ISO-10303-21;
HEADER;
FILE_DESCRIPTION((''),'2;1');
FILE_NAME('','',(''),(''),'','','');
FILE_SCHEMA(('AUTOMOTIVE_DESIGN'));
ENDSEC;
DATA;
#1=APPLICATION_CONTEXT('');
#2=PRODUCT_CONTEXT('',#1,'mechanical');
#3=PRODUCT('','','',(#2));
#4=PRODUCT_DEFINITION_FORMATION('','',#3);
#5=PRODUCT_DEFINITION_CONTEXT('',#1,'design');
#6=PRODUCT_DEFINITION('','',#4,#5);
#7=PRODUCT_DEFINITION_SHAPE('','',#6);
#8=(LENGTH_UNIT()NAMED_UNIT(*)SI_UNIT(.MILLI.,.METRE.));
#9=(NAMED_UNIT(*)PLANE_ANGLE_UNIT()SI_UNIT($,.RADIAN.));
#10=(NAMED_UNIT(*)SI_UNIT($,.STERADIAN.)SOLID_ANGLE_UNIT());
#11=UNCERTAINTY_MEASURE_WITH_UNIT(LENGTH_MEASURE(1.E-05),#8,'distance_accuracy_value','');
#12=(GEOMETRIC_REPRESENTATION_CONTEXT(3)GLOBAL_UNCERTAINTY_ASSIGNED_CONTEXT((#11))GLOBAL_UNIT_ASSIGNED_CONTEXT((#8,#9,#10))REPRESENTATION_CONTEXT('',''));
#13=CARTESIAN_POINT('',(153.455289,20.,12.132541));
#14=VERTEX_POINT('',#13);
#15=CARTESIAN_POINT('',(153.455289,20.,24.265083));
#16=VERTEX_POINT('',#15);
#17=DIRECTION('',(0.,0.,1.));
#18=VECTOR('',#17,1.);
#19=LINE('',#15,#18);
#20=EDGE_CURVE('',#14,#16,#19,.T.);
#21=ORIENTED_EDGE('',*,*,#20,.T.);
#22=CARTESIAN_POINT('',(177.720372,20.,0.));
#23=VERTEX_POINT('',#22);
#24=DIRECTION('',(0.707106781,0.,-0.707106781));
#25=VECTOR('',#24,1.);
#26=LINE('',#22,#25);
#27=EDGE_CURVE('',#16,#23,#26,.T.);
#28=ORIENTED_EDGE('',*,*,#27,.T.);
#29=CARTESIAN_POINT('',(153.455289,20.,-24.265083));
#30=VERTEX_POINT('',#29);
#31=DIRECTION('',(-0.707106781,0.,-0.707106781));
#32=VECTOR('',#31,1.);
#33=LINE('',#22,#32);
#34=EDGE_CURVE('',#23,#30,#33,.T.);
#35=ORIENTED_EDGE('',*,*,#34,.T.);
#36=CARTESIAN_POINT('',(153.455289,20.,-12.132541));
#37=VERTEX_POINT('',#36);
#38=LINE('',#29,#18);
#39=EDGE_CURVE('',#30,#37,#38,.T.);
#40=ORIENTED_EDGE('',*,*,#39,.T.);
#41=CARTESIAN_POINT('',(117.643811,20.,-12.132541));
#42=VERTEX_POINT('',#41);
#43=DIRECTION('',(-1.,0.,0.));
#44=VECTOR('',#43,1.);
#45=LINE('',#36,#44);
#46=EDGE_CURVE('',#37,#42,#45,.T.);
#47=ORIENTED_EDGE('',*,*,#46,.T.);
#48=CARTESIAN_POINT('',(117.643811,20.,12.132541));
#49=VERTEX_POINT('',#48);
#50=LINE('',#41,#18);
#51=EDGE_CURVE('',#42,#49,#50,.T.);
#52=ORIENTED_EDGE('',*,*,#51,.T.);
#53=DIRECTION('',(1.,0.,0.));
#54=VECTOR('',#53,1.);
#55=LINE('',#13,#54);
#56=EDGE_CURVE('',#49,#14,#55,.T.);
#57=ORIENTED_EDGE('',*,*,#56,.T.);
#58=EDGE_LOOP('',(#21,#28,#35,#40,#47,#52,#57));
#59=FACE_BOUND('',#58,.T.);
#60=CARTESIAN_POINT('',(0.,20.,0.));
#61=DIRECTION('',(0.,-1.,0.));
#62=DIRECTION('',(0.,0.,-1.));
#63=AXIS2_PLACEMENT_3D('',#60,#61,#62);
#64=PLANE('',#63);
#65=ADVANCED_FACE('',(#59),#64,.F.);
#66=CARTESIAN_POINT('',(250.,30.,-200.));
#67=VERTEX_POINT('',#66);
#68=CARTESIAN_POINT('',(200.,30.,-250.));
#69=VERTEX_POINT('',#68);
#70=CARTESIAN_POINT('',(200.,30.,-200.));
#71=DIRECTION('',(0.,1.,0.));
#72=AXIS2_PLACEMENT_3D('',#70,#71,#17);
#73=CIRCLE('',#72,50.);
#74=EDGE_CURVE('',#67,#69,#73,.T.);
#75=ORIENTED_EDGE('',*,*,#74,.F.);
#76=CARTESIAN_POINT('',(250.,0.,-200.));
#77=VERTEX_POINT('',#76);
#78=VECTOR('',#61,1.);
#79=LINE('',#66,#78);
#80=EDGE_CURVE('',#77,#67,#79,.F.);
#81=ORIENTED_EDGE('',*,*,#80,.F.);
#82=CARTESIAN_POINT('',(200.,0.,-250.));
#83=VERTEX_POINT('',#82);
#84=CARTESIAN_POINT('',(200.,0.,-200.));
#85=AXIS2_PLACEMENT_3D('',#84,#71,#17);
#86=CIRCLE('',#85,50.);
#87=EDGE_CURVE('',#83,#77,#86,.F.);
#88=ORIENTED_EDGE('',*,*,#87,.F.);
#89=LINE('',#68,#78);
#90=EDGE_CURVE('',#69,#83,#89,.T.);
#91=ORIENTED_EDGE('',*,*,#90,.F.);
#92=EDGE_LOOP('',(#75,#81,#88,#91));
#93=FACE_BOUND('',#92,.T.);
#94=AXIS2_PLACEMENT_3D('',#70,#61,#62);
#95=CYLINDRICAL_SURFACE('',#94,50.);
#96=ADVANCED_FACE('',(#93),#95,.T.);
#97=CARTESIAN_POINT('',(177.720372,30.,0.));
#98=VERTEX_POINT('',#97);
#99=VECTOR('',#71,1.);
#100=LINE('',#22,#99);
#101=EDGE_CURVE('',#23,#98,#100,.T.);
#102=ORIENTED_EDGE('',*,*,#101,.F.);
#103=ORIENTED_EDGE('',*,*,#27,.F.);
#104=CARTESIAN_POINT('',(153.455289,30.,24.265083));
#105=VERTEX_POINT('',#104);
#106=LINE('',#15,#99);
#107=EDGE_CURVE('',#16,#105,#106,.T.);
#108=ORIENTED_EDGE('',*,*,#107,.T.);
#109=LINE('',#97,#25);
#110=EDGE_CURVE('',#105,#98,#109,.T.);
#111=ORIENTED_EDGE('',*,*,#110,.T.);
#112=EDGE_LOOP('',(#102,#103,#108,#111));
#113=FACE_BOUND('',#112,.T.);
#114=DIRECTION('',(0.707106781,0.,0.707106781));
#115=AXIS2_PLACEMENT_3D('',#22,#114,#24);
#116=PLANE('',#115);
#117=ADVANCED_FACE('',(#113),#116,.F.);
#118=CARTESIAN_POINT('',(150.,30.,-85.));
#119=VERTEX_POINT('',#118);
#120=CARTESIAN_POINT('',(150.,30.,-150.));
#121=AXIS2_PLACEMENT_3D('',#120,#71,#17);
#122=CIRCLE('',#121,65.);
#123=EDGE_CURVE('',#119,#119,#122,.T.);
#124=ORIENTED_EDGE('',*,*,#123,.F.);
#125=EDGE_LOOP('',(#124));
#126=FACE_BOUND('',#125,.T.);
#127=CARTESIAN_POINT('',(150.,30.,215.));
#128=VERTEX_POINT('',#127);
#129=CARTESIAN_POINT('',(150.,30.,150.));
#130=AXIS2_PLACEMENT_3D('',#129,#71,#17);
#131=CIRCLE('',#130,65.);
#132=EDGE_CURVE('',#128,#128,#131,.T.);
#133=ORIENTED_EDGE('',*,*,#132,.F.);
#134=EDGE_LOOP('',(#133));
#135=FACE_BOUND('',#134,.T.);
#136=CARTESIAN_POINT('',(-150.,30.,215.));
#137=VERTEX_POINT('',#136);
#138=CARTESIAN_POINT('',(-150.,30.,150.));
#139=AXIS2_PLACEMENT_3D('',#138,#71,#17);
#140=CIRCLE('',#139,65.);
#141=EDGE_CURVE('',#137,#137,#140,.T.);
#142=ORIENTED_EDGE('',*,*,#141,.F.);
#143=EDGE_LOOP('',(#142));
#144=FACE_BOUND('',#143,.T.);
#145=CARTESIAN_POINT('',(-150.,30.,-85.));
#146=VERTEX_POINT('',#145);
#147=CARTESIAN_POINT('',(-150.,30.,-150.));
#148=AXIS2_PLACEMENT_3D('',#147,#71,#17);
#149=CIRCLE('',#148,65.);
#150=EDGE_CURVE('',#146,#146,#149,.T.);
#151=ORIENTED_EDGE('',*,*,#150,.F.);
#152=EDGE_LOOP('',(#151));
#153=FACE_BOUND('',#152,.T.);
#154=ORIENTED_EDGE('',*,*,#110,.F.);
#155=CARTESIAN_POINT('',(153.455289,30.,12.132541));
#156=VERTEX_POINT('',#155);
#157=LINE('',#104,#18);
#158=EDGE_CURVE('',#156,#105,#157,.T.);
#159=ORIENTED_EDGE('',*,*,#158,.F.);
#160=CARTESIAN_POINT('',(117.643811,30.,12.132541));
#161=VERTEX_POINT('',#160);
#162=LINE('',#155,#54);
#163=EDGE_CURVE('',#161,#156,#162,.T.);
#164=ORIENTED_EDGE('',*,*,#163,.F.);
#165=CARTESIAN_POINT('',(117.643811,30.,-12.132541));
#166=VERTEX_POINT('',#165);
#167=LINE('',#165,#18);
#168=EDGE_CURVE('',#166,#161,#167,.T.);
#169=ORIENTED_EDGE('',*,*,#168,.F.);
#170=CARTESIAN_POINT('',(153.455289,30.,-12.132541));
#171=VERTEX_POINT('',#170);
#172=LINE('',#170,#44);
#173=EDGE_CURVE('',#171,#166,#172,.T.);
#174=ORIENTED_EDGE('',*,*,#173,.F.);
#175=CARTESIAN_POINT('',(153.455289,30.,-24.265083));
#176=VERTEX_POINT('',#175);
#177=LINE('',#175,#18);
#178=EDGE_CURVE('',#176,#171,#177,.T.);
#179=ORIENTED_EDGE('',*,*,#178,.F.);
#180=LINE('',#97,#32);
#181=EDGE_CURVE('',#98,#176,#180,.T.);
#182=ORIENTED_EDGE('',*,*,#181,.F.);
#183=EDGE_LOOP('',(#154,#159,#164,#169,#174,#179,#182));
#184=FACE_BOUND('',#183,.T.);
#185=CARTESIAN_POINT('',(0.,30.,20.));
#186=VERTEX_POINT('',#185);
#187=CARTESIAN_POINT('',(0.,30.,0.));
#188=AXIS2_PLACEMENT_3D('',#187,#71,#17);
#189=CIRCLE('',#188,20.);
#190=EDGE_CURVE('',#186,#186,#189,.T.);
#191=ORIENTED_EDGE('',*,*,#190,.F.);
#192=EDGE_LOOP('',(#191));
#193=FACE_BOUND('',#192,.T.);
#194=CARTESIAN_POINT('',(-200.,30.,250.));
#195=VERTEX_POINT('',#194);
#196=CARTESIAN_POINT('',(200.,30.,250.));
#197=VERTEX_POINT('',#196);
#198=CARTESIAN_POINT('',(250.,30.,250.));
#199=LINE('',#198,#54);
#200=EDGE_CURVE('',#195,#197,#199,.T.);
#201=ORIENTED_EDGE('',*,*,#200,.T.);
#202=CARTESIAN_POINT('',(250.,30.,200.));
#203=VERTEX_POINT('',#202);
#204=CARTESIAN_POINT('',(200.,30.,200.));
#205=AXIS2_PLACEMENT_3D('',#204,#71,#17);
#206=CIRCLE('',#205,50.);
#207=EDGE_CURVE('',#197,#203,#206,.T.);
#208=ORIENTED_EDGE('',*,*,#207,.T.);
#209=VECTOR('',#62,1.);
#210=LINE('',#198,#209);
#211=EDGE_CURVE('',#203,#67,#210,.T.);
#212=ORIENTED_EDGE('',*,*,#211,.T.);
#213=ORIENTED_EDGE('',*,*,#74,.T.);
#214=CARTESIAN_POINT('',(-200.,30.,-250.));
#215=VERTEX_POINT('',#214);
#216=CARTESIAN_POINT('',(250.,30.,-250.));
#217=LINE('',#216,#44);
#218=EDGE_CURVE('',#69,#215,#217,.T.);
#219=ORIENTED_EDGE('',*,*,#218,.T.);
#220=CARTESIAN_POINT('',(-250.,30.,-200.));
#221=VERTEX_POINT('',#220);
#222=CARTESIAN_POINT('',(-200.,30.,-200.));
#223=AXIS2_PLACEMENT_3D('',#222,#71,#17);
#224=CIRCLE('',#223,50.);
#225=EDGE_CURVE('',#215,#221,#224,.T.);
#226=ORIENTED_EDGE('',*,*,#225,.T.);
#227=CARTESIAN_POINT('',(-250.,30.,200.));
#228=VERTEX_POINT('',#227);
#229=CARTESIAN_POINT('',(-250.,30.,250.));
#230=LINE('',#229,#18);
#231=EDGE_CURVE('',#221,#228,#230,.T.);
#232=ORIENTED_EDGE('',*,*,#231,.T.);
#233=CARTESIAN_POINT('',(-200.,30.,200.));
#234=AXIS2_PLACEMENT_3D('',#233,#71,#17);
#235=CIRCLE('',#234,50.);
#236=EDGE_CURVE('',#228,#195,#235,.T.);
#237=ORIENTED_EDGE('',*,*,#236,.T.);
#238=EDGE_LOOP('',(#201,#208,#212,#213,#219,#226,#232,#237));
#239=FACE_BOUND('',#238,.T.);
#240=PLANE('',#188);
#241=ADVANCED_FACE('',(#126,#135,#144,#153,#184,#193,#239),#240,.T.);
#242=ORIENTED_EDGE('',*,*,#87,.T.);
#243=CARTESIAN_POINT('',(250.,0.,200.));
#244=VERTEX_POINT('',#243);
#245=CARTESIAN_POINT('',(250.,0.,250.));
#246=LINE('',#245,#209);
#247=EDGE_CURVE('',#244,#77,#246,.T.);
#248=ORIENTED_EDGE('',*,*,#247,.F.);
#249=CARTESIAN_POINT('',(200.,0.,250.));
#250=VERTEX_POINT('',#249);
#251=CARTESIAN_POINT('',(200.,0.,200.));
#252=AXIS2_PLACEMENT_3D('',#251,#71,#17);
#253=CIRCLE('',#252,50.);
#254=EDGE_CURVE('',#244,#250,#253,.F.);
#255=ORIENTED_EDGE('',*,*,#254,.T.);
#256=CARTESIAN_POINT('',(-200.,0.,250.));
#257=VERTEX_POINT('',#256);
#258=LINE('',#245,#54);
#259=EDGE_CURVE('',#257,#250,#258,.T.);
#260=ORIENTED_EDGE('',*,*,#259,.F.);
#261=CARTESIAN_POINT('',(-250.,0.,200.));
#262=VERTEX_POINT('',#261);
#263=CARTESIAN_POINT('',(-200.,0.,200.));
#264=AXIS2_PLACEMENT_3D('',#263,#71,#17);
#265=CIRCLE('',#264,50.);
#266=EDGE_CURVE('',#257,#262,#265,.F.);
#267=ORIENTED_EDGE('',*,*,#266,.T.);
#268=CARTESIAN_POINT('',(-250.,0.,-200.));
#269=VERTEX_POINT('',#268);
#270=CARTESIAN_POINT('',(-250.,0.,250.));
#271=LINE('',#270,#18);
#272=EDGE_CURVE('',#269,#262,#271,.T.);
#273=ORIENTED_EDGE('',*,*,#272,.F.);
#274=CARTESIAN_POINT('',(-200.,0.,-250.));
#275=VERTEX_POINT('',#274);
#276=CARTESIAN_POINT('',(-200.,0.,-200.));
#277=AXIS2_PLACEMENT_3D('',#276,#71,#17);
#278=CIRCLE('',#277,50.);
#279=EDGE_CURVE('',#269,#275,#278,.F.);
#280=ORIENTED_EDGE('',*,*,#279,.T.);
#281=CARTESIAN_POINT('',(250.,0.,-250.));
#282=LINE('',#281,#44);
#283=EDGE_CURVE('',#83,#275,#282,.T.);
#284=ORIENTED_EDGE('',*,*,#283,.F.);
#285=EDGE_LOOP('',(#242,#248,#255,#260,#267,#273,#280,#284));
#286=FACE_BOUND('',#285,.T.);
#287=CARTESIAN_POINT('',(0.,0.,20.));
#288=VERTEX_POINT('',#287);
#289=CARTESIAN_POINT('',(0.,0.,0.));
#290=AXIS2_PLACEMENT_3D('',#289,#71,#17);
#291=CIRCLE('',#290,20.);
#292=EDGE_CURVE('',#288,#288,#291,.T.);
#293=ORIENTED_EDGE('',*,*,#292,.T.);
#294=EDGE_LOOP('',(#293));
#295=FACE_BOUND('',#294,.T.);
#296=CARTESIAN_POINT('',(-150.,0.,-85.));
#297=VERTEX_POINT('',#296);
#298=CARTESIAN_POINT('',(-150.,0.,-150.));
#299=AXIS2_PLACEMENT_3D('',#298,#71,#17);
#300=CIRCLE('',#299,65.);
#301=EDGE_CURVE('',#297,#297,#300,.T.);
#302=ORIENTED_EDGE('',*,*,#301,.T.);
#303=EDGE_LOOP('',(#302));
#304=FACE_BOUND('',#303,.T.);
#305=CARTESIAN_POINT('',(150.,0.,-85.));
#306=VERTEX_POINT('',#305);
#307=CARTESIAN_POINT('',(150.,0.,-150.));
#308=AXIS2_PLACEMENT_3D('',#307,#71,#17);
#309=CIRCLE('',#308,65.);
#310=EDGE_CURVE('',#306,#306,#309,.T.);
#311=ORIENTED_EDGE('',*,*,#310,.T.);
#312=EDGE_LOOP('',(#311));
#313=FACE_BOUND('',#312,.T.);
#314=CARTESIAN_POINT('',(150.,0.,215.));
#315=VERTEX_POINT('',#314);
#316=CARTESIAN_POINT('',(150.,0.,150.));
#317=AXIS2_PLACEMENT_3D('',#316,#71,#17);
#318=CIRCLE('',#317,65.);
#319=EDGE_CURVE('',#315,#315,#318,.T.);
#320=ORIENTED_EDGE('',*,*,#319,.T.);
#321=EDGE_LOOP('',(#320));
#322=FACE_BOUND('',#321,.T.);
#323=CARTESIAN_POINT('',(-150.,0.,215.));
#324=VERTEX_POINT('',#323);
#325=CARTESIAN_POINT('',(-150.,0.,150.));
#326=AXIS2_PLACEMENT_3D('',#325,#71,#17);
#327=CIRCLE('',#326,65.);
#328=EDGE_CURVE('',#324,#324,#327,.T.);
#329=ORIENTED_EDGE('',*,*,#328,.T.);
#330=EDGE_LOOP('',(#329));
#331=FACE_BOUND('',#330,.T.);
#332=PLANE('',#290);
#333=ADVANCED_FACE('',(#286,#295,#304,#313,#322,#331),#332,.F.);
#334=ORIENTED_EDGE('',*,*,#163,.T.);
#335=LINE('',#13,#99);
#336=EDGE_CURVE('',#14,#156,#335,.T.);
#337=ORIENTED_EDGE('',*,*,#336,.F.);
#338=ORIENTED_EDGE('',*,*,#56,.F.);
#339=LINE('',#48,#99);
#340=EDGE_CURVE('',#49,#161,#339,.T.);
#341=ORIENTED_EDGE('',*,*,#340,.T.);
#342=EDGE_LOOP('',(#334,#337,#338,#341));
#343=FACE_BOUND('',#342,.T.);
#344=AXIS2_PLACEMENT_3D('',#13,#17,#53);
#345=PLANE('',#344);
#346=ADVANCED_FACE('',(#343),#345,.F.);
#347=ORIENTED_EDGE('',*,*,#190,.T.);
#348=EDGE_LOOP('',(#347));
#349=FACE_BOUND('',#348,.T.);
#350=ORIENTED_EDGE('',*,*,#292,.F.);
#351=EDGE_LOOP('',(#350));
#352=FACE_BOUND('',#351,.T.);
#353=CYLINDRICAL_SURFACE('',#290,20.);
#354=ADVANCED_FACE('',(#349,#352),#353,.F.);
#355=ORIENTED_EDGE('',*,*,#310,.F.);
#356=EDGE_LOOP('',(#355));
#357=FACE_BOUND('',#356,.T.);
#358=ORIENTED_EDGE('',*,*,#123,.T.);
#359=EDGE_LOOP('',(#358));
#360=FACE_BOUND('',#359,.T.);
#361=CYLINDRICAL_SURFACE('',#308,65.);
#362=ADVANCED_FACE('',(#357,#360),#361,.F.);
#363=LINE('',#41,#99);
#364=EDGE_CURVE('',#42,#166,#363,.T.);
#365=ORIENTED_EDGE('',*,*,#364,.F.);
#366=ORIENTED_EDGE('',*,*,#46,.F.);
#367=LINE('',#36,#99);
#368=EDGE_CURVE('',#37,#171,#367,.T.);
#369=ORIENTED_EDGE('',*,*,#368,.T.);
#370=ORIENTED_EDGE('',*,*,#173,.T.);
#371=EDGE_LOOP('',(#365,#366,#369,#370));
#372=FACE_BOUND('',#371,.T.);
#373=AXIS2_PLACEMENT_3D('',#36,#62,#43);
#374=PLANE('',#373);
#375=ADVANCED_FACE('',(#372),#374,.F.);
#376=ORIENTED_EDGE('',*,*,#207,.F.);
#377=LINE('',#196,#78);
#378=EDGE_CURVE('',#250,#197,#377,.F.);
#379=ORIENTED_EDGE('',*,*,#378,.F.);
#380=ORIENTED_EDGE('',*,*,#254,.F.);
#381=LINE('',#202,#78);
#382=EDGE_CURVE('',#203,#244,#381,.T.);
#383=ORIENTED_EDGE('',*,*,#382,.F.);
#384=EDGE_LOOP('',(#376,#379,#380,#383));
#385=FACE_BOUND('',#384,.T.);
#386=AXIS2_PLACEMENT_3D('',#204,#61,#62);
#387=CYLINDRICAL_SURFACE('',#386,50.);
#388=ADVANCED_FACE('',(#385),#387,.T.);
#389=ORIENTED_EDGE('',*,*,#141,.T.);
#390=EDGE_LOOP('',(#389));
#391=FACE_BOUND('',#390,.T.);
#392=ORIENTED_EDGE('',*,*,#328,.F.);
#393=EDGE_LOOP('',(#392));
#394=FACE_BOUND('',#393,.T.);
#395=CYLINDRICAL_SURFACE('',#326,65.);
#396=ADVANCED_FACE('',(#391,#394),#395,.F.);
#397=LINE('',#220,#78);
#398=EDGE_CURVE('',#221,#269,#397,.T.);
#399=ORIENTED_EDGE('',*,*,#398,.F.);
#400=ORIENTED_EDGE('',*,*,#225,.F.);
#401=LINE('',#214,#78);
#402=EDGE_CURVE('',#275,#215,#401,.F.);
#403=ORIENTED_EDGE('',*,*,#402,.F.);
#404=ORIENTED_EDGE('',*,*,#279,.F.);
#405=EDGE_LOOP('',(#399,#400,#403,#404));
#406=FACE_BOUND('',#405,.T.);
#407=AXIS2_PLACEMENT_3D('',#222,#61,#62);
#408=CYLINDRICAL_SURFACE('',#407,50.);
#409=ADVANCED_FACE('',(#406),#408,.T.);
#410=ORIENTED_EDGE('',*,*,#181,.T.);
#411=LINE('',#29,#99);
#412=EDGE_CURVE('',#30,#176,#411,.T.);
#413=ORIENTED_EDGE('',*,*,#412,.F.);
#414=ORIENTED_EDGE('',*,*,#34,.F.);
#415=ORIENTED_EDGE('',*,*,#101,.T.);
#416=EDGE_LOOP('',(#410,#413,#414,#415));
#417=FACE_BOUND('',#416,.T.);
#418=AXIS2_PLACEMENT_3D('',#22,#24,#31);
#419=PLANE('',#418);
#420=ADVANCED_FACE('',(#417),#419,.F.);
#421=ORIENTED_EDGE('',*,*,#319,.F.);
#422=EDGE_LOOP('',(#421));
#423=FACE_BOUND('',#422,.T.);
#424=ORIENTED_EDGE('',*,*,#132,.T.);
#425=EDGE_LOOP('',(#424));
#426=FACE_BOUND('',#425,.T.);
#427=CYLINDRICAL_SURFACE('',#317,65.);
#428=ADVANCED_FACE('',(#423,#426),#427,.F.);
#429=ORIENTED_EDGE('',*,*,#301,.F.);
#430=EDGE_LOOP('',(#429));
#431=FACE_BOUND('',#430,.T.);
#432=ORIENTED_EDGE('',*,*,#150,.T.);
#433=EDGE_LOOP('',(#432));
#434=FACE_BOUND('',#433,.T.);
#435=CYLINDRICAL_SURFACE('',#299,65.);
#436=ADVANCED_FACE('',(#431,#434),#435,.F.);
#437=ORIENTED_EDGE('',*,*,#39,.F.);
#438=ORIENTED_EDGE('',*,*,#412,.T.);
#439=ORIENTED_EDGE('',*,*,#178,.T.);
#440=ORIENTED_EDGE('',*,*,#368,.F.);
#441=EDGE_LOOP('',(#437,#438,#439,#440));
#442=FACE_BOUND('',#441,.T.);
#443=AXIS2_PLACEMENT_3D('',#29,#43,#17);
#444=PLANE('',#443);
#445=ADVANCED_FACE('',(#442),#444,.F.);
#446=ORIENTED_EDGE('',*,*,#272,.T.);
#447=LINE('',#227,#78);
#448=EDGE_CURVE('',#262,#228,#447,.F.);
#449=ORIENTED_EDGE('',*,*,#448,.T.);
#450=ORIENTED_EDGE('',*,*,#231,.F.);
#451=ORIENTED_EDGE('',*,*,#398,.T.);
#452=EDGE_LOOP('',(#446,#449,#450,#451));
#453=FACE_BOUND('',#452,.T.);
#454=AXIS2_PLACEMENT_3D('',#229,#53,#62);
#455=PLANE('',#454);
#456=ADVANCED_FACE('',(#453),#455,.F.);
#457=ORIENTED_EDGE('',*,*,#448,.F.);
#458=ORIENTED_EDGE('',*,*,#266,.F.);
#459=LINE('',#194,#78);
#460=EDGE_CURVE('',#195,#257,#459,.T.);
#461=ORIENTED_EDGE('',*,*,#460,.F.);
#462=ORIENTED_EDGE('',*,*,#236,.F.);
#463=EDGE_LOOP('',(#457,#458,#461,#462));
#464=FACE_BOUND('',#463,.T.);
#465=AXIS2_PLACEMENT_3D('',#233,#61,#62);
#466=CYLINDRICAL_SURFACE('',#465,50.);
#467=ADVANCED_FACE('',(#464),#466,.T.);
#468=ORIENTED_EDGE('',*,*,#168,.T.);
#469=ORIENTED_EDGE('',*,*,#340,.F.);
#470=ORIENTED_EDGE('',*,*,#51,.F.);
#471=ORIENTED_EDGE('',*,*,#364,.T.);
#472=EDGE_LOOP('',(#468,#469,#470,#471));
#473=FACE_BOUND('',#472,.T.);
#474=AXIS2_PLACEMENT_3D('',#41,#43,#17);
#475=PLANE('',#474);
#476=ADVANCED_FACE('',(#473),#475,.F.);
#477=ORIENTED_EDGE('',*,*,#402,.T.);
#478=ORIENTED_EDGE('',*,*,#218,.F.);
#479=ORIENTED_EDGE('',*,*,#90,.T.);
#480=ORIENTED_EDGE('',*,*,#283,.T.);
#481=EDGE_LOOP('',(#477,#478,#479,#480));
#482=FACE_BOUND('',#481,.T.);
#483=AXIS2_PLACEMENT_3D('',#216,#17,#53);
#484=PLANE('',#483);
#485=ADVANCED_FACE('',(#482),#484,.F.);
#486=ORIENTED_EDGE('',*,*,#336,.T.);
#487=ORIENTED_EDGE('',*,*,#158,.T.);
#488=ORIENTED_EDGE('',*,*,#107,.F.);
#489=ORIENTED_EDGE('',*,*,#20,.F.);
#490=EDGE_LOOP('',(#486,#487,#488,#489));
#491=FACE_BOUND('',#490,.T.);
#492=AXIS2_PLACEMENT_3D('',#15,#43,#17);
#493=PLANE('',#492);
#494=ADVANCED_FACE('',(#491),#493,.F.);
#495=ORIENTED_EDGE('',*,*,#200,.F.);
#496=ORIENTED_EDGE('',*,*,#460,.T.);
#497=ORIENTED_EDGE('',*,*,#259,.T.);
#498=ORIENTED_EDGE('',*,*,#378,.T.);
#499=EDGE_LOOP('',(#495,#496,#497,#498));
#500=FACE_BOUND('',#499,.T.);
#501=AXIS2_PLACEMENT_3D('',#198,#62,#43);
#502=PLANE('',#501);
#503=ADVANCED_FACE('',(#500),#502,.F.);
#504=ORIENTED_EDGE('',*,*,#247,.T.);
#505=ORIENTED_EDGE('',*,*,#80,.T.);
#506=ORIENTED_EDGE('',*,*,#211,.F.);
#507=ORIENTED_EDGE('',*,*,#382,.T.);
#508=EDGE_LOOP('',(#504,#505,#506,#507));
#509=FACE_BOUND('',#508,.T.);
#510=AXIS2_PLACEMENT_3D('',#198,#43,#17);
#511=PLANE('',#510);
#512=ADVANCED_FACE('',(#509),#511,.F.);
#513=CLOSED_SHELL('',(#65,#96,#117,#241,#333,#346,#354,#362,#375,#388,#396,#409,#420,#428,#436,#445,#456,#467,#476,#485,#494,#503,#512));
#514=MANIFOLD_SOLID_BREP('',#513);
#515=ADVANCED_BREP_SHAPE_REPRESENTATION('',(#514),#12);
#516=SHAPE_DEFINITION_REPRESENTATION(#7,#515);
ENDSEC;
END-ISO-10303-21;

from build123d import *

# Parameters (mm, degrees)
SKETCH_1_W          = 500
SKETCH_1_H          = 500
EXTRUDE_1_DEPTH     = 30
SKETCH_2_R          = 65
CUT_EXTRUDE_1_DEPTH = 30
FILLET_1_R          = 50
CUT_EXTRUDE_2_DEPTH = 10
SKETCH_4_R          = 20
CUT_EXTRUDE_3_DEPTH = 31


with BuildPart() as part:
    # 草图1 → 凸台-拉伸1 (new body)
    with BuildSketch(Plane(origin=(0, 0, 0), x_dir=(1, 0, 0), z_dir=(0, 1, 0))):
        Rectangle(SKETCH_1_W, SKETCH_1_H)
    extrude(amount=EXTRUDE_1_DEPTH)

    # 草图2 → 切除-拉伸1 (cut)
    with BuildSketch(Plane(origin=(0, 30, 0), x_dir=(1, 0, 0), z_dir=(0, 1, 0))):
        with Locations((150, -150)):
            Circle(SKETCH_2_R)
        with Locations((-150, -150)):
            Circle(SKETCH_2_R)
        with Locations((150, 150)):
            Circle(SKETCH_2_R)
        with Locations((-150, 150)):
            Circle(SKETCH_2_R)
    extrude(amount=-CUT_EXTRUDE_1_DEPTH, mode=Mode.SUBTRACT)

    # 圆角1
    fillet_1_edges = [part.edges().sort_by_distance(p)[0] for p in [
        (-250, 15, -250),
        (250, 15, -250),
        (250, 15, 250),
        (-250, 15, 250),
    ]]
    fillet(fillet_1_edges, radius=FILLET_1_R)

    # 草图3 → 切除-拉伸2 (cut)
    with BuildSketch(Plane(origin=(0, 30, 0), x_dir=(1, 0, 0), z_dir=(0, 1, 0))):
        Polygon((177.720371549, 0), (153.455288688, 24.265082861), (153.455288688, 12.13254143), (117.643810746, 12.13254143), (117.643810746, -12.13254143), (153.455288688, -12.13254143), (153.455288688, -24.265082861), align=None)
    extrude(amount=-CUT_EXTRUDE_2_DEPTH, mode=Mode.SUBTRACT)

    # 草图4 → 切除-拉伸3 (cut, through all)
    with BuildSketch(Plane(origin=(0, 30, 0), x_dir=(1, 0, 0), z_dir=(0, 1, 0))):
        Circle(SKETCH_4_R)
    extrude(amount=-CUT_EXTRUDE_3_DEPTH, mode=Mode.SUBTRACT)


solid = part.part
